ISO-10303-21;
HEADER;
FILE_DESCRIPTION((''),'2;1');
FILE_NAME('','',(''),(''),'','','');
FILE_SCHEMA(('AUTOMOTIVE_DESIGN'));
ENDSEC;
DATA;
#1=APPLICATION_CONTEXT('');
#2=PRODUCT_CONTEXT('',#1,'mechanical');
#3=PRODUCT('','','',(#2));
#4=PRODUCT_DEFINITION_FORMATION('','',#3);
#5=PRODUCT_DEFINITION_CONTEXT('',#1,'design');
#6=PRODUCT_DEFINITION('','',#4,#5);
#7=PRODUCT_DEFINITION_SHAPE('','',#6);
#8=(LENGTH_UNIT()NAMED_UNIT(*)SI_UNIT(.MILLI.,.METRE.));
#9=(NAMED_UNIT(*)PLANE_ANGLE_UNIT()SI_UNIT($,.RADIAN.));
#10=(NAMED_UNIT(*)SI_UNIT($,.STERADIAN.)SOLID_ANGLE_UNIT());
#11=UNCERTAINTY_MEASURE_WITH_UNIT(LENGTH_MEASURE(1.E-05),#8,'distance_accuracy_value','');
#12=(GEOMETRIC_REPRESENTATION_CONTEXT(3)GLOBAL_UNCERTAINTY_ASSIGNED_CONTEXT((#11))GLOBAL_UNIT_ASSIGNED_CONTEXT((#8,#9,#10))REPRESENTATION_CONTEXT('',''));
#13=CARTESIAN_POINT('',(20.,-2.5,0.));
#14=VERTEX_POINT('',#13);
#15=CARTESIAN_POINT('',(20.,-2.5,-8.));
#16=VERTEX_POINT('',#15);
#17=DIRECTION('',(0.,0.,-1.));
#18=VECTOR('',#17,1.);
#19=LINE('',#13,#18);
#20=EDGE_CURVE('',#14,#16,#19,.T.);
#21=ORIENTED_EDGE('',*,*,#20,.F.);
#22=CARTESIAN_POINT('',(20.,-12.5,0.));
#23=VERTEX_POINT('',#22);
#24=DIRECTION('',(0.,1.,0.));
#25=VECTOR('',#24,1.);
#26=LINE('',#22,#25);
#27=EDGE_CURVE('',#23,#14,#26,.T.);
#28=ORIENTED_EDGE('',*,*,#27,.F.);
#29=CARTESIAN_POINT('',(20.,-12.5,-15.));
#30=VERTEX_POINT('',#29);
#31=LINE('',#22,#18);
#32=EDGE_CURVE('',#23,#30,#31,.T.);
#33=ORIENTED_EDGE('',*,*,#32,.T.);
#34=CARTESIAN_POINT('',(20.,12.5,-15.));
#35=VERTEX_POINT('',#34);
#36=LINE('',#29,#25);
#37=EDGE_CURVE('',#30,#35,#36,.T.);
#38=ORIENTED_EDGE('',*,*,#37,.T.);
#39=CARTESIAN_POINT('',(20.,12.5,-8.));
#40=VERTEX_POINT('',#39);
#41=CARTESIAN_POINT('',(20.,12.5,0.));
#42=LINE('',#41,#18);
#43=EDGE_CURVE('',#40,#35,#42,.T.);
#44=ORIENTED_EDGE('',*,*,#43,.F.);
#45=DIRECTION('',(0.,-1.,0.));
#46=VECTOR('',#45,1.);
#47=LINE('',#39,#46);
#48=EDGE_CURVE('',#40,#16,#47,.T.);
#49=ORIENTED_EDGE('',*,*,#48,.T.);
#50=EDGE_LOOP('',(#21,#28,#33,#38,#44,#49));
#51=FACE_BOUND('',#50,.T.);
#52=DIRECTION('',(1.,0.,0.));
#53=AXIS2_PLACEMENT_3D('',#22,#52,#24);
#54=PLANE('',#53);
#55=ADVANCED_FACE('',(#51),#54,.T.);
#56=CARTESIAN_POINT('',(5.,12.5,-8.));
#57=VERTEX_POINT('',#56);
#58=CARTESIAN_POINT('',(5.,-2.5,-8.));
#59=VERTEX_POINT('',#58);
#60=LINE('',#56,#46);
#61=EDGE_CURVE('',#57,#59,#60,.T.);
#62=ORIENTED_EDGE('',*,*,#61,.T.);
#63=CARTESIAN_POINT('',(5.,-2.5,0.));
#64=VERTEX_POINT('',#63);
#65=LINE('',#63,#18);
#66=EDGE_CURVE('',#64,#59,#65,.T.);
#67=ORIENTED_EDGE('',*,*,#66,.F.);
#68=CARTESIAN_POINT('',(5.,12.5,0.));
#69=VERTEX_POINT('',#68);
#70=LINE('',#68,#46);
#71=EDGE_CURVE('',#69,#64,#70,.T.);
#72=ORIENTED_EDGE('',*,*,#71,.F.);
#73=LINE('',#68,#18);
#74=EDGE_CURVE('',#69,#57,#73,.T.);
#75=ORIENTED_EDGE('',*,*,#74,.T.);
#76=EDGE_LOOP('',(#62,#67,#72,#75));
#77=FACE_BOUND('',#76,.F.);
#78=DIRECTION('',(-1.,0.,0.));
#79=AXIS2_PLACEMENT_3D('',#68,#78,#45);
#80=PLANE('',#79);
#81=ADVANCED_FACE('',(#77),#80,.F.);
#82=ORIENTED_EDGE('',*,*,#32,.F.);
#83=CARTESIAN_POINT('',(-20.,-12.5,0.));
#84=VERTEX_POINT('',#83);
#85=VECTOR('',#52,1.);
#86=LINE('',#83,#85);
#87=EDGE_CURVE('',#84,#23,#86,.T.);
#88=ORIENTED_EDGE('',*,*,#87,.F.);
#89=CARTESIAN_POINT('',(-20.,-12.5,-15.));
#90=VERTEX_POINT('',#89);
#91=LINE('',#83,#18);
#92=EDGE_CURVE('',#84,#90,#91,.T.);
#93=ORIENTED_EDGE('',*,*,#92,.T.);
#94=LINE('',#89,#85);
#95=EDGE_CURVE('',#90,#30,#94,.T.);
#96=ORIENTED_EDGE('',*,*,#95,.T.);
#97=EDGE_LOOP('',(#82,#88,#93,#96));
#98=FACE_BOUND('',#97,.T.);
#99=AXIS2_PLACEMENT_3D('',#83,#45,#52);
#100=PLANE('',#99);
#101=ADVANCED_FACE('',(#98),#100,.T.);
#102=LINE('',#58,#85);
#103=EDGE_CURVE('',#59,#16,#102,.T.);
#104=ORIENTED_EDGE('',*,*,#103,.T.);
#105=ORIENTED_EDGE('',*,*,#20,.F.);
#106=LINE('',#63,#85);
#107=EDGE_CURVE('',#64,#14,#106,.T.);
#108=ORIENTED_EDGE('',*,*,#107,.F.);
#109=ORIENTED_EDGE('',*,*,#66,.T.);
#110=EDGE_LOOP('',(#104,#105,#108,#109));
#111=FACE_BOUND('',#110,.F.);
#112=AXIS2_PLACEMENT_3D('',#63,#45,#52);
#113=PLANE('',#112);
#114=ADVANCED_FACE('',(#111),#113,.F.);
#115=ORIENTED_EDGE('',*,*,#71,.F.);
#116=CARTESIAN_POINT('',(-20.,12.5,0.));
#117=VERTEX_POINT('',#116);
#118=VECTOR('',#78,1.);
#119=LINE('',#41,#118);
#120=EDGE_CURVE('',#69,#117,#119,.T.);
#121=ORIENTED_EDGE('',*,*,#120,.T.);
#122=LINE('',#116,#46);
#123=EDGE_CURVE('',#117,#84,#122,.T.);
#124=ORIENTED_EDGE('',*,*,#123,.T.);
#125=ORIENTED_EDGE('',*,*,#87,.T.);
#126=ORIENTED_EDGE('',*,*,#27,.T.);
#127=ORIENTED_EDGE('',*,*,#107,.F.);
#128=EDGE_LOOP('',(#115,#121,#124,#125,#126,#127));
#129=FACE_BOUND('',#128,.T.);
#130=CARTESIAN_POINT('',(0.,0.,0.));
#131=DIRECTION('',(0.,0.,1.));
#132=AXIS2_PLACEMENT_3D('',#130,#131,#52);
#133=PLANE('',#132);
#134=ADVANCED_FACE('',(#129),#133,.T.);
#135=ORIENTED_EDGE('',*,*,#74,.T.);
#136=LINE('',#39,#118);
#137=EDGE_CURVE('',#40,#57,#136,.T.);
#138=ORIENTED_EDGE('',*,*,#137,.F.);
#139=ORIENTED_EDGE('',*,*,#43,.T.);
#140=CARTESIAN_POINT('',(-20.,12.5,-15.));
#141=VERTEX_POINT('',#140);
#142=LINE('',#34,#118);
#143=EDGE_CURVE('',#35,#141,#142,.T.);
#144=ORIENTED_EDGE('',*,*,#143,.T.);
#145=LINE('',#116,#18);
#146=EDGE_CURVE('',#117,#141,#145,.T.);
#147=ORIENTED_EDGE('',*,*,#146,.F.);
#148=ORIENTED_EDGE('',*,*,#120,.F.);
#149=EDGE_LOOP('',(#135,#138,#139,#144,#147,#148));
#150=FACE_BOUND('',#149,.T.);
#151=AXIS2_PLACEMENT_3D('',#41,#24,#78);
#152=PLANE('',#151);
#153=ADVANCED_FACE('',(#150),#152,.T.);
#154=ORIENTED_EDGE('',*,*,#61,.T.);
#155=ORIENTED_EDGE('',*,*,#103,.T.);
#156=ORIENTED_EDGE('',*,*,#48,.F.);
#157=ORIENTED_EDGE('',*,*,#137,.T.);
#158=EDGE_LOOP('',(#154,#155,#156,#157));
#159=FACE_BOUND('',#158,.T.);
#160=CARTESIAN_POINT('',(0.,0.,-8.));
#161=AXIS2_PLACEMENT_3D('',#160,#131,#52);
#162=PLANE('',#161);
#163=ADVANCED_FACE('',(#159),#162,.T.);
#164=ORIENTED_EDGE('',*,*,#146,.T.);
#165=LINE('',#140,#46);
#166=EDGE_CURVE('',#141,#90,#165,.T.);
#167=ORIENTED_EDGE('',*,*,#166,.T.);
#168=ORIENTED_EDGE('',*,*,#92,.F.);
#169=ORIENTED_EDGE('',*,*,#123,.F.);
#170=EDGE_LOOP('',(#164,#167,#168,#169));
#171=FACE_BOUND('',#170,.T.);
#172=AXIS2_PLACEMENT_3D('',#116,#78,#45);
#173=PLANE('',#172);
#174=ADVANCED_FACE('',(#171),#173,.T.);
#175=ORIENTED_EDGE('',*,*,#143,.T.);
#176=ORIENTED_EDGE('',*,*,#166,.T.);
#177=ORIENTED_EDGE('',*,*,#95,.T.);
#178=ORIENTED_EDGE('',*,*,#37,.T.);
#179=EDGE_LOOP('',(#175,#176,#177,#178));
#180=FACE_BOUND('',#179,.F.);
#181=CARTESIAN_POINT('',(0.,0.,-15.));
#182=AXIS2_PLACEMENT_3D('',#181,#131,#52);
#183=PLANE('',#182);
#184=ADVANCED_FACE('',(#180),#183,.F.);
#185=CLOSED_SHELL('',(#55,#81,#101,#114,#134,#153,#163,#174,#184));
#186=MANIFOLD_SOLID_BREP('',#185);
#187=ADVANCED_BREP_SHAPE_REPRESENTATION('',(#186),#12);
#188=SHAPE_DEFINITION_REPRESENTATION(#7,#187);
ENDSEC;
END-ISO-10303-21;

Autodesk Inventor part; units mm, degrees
ref_plane "YZ Plane" through (0, 0, 0) normal (1, 0, 0) x (0, 1, 0)
ref_plane "XZ Plane" through (0, 0, 0) normal (0, 1, 0) x (-1, 0, 0)
ref_plane "XY Plane" through (0, 0, 0) normal (0, 0, 1) x (1, 0, 0)
sketch "Sketch1" plane through (0, 0, 0) normal (0, 0, 1) x (1, 0, 0)
  line L0 (-20, -12.5) -> (20, -12.5)
  line L1 (20, -12.5) -> (20, 12.5)
  line L2 (20, 12.5) -> (-20, 12.5)
  line L3 (-20, 12.5) -> (-20, -12.5)
  line L4 (-20, -12.5) -> (20, 12.5) construction
  line L5 (20, -12.5) -> (-20, 12.5) construction
  point P0 (0, 0)
  dimension "d0" = 40
  dimension "d1" = 25
extrude "Extrusion1" add sketch "Sketch1" against normal blind 15
sketch "Sketch2" plane through (0, 0, 0) normal (0, 0, 1) x (1, 0, 0)
  line L0 (20, 12.5) -> (20, -12.5) projected
  line L1 (20, 12.5) -> (5, 12.5)
  line L2 (5, 12.5) -> (5, -2.5)
  line L3 (5, -2.5) -> (20, -2.5)
  line L4 (20, -2.5) -> (20, 12.5)
  point P0 (0, 0)
  dimension "d4" = 15
  dimension "d5" = 15
extrude "Extrusion2" cut sketch "Sketch2" against normal blind 8
properties part number "desenho 2"
